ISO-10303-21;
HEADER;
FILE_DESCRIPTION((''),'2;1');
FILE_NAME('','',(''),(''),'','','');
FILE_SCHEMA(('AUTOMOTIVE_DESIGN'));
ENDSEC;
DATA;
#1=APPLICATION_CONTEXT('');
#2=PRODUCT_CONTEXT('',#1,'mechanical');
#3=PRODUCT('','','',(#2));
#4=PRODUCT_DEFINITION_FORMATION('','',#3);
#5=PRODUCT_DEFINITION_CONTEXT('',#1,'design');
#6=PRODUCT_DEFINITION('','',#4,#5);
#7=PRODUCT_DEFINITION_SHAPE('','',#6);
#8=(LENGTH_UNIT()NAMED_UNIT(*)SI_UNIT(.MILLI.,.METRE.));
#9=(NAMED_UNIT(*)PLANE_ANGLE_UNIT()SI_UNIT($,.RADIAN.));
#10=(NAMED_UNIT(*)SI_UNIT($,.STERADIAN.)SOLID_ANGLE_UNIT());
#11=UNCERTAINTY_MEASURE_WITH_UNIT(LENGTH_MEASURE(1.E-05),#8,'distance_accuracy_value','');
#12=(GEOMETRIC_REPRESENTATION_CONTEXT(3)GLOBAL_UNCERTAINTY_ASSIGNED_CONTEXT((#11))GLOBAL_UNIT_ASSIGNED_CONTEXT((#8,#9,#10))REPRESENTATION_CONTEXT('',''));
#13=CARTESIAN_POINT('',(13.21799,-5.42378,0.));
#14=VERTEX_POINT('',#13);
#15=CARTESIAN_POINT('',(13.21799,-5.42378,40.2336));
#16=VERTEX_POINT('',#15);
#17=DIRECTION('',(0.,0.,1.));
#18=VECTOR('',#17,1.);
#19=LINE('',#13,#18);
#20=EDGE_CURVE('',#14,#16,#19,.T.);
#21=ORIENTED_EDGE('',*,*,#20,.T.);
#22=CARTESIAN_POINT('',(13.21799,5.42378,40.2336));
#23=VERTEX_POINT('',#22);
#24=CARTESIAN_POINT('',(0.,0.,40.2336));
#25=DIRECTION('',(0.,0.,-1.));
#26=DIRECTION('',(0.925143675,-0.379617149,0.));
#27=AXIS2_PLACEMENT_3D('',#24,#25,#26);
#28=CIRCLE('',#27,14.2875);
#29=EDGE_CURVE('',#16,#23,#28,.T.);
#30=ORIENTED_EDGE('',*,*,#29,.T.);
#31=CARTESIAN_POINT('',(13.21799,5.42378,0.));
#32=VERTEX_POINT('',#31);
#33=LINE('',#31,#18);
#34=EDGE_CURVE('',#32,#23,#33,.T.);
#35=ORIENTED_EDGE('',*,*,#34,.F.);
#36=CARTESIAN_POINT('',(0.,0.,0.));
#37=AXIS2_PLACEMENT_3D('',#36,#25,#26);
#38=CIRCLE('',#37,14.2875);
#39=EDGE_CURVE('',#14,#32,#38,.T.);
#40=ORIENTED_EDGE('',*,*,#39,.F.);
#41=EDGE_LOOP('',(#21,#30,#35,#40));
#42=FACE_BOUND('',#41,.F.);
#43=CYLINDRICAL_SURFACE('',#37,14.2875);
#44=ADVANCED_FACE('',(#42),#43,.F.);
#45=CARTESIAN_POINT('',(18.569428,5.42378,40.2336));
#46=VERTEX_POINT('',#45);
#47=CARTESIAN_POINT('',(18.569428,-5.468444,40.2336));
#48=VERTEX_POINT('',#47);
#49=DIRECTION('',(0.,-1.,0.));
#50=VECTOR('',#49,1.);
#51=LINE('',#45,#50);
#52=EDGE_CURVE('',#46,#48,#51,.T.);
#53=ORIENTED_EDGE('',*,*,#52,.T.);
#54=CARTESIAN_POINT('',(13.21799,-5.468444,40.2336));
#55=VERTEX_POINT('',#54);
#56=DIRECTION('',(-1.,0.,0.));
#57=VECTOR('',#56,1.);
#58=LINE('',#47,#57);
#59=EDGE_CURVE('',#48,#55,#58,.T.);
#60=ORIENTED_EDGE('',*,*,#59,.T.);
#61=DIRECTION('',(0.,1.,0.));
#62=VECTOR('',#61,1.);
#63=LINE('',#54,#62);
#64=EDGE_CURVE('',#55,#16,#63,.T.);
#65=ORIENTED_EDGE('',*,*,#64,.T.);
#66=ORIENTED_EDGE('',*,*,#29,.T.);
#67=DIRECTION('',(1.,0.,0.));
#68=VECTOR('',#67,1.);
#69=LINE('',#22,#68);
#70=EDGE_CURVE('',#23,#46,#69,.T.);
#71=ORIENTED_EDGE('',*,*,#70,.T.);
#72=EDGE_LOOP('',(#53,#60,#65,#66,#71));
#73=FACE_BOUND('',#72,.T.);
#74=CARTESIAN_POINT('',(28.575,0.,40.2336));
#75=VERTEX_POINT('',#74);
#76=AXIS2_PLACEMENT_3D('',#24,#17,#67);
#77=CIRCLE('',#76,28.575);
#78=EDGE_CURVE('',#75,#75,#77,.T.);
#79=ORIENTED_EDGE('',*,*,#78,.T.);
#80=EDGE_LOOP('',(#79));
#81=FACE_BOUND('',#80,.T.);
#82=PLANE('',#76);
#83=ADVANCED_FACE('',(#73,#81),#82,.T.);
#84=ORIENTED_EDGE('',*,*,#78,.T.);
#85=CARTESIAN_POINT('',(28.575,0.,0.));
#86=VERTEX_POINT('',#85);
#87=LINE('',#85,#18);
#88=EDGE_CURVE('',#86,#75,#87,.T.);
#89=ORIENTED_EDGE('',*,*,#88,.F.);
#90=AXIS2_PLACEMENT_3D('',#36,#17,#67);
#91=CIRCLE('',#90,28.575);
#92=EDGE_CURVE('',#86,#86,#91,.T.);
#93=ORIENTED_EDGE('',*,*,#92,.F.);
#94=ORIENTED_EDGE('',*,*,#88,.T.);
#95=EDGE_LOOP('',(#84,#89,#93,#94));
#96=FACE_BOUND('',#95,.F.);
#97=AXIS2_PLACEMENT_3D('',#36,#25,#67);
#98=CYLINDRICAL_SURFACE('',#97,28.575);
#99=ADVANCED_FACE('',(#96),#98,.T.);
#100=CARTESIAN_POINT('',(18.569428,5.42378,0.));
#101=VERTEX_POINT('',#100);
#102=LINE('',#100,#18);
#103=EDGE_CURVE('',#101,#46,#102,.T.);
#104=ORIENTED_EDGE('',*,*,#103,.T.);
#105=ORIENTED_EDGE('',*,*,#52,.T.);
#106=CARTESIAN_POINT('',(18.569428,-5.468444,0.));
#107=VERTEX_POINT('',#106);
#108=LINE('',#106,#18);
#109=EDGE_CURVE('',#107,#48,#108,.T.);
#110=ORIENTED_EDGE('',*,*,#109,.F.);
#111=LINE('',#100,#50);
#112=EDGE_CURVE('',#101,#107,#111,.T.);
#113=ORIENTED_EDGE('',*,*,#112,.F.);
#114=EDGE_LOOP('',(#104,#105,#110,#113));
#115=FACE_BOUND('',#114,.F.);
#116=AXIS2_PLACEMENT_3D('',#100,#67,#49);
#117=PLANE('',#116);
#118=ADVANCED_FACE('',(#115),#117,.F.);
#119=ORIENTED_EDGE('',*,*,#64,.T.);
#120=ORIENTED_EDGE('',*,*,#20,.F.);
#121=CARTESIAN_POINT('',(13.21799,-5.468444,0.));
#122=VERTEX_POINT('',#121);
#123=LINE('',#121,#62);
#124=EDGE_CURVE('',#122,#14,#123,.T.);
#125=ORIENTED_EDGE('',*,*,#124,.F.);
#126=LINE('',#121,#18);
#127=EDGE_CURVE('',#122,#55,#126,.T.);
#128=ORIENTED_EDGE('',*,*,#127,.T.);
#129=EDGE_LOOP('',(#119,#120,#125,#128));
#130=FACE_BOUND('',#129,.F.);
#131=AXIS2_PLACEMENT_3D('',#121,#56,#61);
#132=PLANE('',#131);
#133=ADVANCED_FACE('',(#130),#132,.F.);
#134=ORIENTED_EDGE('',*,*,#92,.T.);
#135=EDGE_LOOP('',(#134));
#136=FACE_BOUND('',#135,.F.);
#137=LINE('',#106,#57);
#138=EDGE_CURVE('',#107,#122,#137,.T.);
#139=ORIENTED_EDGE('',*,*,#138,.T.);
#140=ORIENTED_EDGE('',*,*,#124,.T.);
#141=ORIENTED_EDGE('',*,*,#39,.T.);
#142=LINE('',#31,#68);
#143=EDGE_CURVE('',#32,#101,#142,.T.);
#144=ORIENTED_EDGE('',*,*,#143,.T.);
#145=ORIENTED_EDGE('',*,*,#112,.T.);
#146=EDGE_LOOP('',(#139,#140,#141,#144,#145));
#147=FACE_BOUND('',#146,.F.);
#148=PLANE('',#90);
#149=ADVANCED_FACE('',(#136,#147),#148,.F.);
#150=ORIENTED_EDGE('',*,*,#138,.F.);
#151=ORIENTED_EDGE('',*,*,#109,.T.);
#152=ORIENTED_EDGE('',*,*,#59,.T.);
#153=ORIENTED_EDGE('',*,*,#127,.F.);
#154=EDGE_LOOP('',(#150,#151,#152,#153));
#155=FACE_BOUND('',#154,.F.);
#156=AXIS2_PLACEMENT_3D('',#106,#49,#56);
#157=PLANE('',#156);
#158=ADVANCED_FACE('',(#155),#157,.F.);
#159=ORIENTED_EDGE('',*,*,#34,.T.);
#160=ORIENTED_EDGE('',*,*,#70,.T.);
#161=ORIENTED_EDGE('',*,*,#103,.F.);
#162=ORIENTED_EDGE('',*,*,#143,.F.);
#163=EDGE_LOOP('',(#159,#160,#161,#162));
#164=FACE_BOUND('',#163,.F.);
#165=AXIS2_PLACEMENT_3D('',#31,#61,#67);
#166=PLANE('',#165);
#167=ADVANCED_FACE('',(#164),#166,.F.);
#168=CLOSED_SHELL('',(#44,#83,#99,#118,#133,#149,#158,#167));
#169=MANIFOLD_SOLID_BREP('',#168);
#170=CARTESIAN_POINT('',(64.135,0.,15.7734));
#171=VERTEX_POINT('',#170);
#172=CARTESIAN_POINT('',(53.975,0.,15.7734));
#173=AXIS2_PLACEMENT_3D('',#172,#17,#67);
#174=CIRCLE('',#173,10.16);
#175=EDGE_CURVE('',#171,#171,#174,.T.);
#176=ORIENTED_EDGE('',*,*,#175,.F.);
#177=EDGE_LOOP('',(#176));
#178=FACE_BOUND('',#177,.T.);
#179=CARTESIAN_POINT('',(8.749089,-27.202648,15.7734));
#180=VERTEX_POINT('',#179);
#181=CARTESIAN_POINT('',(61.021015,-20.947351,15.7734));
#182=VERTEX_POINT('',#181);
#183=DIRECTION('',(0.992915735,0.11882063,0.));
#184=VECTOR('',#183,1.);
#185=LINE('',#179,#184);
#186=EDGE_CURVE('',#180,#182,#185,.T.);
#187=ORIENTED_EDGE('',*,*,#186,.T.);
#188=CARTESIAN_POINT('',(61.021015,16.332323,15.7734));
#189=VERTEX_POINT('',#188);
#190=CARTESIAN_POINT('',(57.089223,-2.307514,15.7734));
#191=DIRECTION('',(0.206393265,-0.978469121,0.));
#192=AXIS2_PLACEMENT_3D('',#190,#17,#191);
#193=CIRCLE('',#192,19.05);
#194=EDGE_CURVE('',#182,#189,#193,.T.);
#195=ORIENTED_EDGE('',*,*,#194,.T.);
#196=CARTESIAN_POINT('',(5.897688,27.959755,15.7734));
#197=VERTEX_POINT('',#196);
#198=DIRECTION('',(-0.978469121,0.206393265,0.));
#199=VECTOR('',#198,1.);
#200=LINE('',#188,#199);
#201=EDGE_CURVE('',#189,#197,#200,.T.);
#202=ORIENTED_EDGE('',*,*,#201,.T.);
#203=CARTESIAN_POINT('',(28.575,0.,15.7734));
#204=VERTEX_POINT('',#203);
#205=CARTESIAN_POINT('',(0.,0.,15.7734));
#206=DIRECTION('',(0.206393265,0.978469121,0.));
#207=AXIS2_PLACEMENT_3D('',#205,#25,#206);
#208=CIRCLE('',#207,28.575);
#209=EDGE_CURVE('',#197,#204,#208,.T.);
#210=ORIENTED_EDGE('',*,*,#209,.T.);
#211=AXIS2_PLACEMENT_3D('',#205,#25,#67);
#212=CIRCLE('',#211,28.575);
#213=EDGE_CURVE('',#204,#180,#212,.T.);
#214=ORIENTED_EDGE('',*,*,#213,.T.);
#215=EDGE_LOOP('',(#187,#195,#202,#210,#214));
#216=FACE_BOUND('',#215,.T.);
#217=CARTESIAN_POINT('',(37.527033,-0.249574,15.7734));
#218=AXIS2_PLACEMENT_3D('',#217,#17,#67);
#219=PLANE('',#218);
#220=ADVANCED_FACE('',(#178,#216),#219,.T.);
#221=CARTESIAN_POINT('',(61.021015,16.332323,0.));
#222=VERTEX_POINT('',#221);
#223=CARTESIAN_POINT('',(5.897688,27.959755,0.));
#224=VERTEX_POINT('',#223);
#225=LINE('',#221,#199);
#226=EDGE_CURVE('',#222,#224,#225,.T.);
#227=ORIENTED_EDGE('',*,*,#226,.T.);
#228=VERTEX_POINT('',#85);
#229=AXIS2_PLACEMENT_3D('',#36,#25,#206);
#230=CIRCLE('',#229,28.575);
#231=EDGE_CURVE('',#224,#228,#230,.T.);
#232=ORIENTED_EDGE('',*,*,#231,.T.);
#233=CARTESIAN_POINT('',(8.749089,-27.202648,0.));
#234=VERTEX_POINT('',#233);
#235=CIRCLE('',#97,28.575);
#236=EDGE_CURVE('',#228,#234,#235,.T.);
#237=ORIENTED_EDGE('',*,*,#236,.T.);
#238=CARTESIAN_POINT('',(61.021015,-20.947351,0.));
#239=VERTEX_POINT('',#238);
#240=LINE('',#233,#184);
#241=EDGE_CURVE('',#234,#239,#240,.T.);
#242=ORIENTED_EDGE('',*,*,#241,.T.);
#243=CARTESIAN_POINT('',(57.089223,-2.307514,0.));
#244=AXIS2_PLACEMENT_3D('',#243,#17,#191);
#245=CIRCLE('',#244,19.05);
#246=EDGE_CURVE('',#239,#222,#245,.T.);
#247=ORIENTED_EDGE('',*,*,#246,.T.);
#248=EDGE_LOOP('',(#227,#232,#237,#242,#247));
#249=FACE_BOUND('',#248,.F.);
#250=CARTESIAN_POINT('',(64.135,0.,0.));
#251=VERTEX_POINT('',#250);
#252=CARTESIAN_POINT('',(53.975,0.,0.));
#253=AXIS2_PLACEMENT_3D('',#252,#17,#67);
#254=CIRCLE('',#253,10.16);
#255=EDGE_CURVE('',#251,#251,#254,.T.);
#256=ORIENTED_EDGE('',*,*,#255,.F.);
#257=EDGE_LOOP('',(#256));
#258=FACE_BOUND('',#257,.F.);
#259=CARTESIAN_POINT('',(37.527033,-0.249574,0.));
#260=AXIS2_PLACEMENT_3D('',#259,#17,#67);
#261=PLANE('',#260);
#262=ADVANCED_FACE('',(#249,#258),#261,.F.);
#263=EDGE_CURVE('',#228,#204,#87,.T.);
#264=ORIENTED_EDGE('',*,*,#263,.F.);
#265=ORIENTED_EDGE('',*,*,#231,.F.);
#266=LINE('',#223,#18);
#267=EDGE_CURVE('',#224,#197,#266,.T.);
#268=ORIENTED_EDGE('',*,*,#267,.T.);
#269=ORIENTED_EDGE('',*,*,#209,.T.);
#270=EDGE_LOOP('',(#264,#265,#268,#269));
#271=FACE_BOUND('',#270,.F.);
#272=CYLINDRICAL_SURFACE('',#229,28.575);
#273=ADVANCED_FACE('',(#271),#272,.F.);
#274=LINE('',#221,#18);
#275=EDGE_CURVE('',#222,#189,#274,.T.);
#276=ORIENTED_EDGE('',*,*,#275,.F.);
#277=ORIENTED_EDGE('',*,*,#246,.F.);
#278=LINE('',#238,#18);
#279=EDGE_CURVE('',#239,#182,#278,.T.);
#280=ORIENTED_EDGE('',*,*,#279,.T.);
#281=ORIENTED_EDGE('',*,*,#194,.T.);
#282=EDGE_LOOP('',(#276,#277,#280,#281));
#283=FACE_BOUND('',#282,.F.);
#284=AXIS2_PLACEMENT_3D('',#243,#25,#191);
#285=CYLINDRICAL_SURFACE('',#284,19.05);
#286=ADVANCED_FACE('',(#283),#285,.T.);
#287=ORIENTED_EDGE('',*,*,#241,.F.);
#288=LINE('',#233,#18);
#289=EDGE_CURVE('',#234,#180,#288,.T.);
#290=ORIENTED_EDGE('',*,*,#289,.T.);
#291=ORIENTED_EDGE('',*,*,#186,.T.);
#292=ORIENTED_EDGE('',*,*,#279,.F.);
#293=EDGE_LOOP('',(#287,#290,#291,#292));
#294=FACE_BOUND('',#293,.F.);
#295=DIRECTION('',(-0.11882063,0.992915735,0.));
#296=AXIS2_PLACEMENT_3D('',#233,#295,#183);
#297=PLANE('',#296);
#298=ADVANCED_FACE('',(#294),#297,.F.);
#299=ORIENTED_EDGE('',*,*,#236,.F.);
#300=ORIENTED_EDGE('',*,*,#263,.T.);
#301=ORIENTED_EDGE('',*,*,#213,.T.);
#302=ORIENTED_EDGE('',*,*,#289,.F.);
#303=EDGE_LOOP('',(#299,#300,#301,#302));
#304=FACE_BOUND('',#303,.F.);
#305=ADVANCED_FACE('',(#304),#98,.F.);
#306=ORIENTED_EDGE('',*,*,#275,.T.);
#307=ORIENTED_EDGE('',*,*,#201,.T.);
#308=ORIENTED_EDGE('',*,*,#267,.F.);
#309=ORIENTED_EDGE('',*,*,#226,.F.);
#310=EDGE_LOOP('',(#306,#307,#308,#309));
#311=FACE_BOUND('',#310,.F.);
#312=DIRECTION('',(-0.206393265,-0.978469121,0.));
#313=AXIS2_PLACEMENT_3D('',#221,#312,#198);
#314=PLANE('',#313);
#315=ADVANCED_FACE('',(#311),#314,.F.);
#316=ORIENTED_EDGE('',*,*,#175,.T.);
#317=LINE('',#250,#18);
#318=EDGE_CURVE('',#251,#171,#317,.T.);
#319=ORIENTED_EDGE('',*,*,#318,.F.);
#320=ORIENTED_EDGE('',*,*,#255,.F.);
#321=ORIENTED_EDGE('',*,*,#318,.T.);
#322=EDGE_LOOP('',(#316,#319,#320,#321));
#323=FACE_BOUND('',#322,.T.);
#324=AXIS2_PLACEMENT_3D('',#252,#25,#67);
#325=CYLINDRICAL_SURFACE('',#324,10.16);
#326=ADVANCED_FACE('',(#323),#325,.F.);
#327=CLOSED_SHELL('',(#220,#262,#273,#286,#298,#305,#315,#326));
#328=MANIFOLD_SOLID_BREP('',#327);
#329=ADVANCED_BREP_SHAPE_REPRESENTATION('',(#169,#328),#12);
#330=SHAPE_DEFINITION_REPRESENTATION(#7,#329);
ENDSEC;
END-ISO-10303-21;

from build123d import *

# Parameters (mm, degrees)
F0_R     = 10.16
F1_DEPTH = 15.7734
F0_R_2   = 25.6389726278
F2_DEPTH = 40.2336


with BuildPart() as f1:
    # F0 (on Top) → F1 (new body)
    with BuildSketch(Plane.XY):
        with BuildLine():
            ThreePointArc((5.8976875516, 27.9597551231), (22.1929836523, 18.0000583779), (28.575, 0))
            ThreePointArc((28.575, 0), (23.0925945185, -16.8304100783), (8.7490890005, -27.2026481553))
            Line((8.7490890005, -27.2026481553), (61.021015048, -20.9473507659))
            ThreePointArc((61.021015048, -20.9473507659), (76.139223347, -2.3075140171), (61.021015048, 16.3323227316))
            Line((61.021015048, 16.3323227316), (5.8976875516, 27.9597551231))
        make_face()
        with Locations((53.975, 0)):
            Circle(F0_R, mode=Mode.SUBTRACT)
    extrude(amount=F1_DEPTH)


with BuildPart() as f2:
    # F0 (on Top) → F2 (new body)
    with BuildSketch(Plane.XY):
        with BuildLine():
            ThreePointArc((8.7490890005, -27.2026481553), (23.0925945185, -16.8304100783), (28.575, 0))
            ThreePointArc((28.575, 0), (22.1929836523, 18.0000583779), (5.8976875516, 27.9597551231))
            ThreePointArc((5.8976875516, 27.9597551231), (-28.5369006675, -1.4751017917), (8.7490890005, -27.2026481553))
        make_face()
        Circle(F0_R_2, mode=Mode.SUBTRACT)
        Circle(F0_R_2)
        with BuildLine():
            ThreePointArc((13.2179902609, -5.4237800207), (-14.2875, 0), (13.2179902609, 5.4237800207))
            Line((13.2179902609, 5.4237800207), (18.5694284737, 5.4237800207))
            Line((18.5694284737, 5.4237800207), (18.5694284737, -5.4684444331))
            Line((18.5694284737, -5.4684444331), (13.2179902609, -5.4684444331))
            Line((13.2179902609, -5.4684444331), (13.2179902609, -5.4237800207))
        make_face(mode=Mode.SUBTRACT)
    extrude(amount=F2_DEPTH)


solid = Compound([f1.part, f2.part])
